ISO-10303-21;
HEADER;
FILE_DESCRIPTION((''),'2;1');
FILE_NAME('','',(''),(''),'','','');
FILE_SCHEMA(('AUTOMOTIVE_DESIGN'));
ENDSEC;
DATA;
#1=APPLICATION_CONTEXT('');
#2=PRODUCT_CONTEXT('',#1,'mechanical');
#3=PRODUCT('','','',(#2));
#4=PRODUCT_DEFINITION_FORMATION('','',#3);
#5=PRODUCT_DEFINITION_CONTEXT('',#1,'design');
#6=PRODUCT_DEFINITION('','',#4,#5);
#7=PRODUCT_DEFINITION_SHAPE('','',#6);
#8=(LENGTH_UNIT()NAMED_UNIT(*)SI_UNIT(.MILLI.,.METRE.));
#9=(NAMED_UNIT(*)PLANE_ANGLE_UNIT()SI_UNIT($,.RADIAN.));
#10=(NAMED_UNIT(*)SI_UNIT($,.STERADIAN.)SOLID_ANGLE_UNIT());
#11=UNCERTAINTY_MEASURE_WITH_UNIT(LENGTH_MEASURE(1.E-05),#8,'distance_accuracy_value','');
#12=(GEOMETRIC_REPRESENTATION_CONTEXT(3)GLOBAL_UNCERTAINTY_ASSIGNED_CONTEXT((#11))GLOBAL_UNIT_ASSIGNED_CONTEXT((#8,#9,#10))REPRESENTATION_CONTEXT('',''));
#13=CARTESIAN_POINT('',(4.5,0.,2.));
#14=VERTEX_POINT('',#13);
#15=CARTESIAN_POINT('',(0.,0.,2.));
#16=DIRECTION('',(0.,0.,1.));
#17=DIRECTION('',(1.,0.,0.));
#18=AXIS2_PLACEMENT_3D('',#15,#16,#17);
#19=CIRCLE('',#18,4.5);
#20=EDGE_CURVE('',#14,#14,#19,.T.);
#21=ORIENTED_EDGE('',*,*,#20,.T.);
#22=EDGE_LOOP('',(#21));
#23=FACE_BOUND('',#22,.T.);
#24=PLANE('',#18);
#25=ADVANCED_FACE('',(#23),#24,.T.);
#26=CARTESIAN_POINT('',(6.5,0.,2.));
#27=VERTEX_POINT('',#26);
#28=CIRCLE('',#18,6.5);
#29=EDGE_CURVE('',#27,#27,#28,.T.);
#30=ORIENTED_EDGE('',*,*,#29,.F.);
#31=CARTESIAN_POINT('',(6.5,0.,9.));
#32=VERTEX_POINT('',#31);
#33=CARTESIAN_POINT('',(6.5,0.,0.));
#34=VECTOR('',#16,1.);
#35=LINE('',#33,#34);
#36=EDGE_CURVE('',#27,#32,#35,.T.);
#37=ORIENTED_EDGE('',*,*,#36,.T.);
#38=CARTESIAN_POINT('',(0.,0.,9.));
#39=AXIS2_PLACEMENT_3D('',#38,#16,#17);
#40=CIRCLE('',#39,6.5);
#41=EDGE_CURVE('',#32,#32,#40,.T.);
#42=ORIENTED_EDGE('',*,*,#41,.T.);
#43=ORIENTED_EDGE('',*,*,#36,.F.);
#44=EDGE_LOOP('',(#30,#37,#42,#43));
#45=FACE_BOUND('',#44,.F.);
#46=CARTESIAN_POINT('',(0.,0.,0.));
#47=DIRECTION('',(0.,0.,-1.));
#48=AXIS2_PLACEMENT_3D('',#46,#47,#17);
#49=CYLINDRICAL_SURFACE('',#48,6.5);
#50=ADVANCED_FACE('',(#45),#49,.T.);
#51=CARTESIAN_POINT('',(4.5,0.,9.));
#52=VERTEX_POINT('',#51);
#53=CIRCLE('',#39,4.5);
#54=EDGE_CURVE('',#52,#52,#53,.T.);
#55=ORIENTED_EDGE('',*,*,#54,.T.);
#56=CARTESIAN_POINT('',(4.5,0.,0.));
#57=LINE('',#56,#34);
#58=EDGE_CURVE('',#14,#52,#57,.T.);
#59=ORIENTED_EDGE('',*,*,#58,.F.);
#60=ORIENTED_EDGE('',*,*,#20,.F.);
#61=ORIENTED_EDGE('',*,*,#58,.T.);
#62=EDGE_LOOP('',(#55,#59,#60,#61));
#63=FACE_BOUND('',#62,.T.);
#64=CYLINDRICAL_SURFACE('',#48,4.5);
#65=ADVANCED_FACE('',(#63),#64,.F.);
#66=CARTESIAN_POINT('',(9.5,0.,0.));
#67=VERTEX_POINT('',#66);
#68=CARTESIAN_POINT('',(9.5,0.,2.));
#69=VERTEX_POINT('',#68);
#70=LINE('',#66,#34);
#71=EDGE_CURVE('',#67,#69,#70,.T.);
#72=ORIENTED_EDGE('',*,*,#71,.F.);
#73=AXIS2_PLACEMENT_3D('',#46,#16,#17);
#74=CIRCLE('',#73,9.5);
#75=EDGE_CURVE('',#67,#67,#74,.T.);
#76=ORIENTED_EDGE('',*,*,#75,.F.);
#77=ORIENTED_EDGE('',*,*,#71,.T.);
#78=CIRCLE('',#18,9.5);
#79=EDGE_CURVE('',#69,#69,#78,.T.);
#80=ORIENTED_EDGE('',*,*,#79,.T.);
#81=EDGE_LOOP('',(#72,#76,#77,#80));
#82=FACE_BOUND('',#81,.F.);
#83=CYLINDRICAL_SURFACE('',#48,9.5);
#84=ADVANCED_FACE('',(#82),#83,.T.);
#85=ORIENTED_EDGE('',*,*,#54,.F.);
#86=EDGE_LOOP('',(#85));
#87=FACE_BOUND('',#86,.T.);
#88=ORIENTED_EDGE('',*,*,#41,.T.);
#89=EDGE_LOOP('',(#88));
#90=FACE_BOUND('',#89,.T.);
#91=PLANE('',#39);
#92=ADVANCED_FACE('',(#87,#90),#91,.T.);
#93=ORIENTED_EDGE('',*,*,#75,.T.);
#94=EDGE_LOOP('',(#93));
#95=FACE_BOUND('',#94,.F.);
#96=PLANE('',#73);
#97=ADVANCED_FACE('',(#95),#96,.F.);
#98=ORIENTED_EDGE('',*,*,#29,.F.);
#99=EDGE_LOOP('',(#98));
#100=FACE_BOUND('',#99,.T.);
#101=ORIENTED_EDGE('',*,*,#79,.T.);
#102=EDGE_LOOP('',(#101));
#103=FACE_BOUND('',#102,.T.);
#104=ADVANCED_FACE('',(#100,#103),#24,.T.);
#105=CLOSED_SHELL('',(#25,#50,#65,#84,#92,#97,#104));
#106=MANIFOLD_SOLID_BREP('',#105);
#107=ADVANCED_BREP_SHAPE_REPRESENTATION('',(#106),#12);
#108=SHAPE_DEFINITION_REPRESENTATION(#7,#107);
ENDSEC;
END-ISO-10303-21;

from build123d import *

# Parameters (mm, degrees)
F0_R     = 9.5
F0_R_2   = 6.5
F1_DEPTH = 2
F0_R_3   = 4.5
F2_DEPTH = 9
F3_DEPTH = 2


with BuildPart() as f1:
    # F0 (on Top) → F1 (new body)
    with BuildSketch(Plane.XY):
        Circle(F0_R)
        Circle(F0_R_2, mode=Mode.SUBTRACT)
    extrude(amount=F1_DEPTH)

    # F0 (on Top) → F2 (join)
    with BuildSketch(Plane.XY):
        Circle(F0_R_2)
        Circle(F0_R_3, mode=Mode.SUBTRACT)
    extrude(amount=F2_DEPTH)

    # F0 (on Top) → F3 (join)
    with BuildSketch(Plane.XY):
        Circle(F0_R_3)
    extrude(amount=F3_DEPTH)


solid = f1.part
